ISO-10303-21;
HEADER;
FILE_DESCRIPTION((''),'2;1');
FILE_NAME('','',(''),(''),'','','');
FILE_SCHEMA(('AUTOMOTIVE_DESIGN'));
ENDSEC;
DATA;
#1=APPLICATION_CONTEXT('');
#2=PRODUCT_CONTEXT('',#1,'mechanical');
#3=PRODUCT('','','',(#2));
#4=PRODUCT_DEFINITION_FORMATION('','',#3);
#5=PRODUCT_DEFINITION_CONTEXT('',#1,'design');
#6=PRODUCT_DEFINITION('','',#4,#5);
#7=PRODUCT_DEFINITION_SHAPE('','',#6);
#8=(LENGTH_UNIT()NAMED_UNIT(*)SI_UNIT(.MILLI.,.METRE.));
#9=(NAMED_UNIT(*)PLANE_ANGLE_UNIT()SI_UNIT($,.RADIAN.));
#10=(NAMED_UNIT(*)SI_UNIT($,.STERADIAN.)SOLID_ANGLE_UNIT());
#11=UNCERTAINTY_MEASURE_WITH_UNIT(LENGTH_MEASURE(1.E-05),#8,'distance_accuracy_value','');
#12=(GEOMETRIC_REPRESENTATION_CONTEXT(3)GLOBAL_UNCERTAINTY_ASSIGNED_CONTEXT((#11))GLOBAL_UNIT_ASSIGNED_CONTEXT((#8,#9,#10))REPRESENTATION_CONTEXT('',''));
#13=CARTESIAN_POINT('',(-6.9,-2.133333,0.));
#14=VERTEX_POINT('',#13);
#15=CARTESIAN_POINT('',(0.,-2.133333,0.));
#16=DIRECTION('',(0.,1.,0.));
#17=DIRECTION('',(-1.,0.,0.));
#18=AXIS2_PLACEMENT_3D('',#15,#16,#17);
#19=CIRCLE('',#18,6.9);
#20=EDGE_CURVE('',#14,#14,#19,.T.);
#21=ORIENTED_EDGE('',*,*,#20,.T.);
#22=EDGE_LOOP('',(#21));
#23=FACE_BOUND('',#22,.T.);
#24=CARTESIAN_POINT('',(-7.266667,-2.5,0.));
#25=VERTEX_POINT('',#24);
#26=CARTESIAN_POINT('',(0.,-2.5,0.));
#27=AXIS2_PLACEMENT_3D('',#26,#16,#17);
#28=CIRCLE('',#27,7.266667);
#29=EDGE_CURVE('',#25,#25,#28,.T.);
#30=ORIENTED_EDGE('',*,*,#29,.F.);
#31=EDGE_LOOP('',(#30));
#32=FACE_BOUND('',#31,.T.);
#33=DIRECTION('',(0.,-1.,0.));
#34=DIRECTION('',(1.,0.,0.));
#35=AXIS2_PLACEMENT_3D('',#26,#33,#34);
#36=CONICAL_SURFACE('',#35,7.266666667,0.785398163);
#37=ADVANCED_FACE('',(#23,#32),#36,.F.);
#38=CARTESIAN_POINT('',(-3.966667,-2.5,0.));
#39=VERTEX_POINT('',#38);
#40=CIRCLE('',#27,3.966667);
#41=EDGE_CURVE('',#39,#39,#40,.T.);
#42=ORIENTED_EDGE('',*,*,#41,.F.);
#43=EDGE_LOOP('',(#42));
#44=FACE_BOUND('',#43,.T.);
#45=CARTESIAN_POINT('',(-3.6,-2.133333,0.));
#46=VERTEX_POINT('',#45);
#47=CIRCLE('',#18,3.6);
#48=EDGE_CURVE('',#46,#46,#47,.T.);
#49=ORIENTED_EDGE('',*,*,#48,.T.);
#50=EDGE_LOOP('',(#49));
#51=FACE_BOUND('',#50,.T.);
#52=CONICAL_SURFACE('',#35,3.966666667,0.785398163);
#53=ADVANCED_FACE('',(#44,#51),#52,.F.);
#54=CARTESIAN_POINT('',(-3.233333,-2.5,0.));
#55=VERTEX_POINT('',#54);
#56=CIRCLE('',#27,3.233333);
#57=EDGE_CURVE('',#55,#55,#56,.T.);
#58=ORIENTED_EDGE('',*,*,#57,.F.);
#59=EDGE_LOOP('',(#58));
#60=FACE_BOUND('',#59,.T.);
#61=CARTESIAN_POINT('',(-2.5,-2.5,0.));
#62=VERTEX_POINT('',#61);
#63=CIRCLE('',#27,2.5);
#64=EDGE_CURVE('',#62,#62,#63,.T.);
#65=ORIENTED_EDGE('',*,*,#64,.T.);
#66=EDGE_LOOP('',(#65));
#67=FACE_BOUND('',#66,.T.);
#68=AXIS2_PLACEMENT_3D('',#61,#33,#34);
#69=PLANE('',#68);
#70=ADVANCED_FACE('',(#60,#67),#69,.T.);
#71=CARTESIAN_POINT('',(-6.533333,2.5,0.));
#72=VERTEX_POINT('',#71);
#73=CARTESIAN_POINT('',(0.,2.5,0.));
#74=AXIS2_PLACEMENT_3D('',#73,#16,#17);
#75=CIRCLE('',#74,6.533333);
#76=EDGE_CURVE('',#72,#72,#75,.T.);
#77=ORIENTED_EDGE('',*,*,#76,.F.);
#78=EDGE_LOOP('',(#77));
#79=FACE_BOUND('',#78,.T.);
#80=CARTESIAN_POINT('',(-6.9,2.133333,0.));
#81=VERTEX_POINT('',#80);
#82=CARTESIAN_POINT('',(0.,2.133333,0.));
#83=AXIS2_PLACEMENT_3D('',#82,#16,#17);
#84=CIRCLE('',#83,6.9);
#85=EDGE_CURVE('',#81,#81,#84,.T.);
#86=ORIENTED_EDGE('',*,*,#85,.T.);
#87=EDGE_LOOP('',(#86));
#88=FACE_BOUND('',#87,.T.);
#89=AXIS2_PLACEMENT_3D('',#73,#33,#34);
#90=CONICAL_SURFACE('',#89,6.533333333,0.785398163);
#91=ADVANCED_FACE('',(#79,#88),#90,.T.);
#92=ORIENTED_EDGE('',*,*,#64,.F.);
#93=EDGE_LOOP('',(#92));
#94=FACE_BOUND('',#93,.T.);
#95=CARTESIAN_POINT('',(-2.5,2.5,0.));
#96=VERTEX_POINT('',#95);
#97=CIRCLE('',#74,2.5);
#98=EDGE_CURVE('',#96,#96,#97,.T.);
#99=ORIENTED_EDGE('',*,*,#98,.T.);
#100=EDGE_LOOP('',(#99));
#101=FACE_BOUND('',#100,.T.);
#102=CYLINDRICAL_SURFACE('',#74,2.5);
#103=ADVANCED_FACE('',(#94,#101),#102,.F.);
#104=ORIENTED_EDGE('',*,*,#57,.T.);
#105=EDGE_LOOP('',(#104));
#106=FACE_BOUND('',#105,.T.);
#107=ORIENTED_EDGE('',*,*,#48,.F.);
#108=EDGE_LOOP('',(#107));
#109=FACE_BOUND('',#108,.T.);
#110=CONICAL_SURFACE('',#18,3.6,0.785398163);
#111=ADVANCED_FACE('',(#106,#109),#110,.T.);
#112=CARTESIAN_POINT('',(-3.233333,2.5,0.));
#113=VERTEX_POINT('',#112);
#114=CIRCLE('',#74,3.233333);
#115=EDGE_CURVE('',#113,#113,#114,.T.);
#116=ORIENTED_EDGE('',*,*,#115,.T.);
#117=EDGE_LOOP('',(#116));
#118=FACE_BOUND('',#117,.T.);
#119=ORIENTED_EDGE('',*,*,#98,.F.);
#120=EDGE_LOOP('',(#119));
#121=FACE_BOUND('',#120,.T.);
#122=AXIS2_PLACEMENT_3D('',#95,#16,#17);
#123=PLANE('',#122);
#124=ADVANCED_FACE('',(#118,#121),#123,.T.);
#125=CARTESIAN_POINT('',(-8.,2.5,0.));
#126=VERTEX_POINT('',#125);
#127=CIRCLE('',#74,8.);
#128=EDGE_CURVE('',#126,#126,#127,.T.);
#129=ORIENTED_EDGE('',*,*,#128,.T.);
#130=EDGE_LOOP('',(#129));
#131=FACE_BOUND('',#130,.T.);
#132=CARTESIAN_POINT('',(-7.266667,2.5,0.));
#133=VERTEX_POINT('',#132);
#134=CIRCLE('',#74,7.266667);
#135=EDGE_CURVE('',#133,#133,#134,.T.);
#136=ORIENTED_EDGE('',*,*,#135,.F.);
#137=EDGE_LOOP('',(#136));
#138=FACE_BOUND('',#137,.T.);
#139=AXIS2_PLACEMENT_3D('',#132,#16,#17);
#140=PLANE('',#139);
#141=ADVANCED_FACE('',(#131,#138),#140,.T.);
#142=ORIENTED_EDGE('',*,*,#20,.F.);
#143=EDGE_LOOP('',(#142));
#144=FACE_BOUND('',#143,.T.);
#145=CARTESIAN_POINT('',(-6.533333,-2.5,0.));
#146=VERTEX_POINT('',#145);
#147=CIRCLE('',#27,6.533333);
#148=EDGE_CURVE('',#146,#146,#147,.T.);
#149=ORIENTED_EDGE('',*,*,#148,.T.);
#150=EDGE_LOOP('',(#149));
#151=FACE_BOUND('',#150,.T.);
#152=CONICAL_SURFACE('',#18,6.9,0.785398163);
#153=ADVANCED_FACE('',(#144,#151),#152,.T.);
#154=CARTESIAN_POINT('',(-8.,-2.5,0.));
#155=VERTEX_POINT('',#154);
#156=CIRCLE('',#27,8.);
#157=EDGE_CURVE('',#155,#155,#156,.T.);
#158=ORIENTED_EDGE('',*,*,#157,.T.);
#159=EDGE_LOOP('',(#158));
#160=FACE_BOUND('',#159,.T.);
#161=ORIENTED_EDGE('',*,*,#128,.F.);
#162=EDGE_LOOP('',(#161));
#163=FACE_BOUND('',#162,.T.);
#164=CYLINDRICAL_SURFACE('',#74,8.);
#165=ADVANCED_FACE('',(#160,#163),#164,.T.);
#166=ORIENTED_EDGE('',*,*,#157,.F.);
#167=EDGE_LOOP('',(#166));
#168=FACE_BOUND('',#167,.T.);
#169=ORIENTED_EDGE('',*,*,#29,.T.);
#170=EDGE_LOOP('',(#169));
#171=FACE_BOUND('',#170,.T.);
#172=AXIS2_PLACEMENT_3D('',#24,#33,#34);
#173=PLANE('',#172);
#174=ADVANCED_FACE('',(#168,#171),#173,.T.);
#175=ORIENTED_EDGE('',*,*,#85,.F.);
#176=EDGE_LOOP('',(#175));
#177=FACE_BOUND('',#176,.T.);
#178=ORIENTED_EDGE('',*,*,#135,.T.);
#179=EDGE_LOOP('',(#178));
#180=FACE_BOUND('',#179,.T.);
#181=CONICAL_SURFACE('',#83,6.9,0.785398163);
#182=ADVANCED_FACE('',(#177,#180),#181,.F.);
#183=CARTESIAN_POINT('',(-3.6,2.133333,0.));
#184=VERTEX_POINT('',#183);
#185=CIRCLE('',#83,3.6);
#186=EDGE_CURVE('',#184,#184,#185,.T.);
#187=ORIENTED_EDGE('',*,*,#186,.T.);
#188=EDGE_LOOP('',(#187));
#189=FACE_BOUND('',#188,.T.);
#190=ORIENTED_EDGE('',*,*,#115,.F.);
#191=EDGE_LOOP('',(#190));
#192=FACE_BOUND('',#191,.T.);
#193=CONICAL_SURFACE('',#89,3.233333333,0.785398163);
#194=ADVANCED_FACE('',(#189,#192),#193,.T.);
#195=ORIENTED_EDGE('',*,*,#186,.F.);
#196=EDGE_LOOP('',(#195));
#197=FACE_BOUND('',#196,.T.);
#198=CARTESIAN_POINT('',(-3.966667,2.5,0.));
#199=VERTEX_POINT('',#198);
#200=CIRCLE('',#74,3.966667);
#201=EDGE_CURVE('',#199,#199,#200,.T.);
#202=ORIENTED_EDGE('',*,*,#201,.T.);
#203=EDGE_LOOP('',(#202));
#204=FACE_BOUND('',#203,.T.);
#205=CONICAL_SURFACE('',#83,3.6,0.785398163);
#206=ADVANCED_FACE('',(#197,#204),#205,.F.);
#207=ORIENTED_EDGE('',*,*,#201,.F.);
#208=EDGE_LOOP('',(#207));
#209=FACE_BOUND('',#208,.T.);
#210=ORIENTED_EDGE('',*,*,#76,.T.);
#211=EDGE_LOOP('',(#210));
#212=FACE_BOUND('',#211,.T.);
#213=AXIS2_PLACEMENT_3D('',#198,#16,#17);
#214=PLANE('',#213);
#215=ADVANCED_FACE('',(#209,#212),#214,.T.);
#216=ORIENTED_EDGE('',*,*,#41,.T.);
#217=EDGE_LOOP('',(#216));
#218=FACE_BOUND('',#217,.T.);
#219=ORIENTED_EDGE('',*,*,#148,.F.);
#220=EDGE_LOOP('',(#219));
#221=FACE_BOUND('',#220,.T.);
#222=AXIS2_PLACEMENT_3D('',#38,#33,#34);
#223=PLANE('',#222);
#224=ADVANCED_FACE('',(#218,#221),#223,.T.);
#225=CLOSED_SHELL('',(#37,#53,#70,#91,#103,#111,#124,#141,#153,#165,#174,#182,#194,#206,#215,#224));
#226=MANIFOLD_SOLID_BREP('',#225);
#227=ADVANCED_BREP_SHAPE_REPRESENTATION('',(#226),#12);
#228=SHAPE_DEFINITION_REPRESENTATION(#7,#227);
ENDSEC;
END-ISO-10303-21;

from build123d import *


with BuildPart() as part:
    # Sketch1 → Revolve1 (revolve)
    with BuildSketch(Plane.XY):
        Polygon((-2.5, 2.5), (-3.233333333, 2.5), (-3.6, 2.133333333), (-3.966666667, 2.5), (-6.533333333, 2.5), (-6.9, 2.133333333), (-7.266666667, 2.5), (-8, 2.5), (-8, -2.5), (-7.266666667, -2.5), (-6.9, -2.133333333), (-6.533333333, -2.5), (-3.966666667, -2.5), (-3.6, -2.133333333), (-3.233333333, -2.5), (-2.5, -2.5), align=None)
    revolve(axis=Axis((0, 2.5, 0), (0, -1, 0)))


solid = part.part
